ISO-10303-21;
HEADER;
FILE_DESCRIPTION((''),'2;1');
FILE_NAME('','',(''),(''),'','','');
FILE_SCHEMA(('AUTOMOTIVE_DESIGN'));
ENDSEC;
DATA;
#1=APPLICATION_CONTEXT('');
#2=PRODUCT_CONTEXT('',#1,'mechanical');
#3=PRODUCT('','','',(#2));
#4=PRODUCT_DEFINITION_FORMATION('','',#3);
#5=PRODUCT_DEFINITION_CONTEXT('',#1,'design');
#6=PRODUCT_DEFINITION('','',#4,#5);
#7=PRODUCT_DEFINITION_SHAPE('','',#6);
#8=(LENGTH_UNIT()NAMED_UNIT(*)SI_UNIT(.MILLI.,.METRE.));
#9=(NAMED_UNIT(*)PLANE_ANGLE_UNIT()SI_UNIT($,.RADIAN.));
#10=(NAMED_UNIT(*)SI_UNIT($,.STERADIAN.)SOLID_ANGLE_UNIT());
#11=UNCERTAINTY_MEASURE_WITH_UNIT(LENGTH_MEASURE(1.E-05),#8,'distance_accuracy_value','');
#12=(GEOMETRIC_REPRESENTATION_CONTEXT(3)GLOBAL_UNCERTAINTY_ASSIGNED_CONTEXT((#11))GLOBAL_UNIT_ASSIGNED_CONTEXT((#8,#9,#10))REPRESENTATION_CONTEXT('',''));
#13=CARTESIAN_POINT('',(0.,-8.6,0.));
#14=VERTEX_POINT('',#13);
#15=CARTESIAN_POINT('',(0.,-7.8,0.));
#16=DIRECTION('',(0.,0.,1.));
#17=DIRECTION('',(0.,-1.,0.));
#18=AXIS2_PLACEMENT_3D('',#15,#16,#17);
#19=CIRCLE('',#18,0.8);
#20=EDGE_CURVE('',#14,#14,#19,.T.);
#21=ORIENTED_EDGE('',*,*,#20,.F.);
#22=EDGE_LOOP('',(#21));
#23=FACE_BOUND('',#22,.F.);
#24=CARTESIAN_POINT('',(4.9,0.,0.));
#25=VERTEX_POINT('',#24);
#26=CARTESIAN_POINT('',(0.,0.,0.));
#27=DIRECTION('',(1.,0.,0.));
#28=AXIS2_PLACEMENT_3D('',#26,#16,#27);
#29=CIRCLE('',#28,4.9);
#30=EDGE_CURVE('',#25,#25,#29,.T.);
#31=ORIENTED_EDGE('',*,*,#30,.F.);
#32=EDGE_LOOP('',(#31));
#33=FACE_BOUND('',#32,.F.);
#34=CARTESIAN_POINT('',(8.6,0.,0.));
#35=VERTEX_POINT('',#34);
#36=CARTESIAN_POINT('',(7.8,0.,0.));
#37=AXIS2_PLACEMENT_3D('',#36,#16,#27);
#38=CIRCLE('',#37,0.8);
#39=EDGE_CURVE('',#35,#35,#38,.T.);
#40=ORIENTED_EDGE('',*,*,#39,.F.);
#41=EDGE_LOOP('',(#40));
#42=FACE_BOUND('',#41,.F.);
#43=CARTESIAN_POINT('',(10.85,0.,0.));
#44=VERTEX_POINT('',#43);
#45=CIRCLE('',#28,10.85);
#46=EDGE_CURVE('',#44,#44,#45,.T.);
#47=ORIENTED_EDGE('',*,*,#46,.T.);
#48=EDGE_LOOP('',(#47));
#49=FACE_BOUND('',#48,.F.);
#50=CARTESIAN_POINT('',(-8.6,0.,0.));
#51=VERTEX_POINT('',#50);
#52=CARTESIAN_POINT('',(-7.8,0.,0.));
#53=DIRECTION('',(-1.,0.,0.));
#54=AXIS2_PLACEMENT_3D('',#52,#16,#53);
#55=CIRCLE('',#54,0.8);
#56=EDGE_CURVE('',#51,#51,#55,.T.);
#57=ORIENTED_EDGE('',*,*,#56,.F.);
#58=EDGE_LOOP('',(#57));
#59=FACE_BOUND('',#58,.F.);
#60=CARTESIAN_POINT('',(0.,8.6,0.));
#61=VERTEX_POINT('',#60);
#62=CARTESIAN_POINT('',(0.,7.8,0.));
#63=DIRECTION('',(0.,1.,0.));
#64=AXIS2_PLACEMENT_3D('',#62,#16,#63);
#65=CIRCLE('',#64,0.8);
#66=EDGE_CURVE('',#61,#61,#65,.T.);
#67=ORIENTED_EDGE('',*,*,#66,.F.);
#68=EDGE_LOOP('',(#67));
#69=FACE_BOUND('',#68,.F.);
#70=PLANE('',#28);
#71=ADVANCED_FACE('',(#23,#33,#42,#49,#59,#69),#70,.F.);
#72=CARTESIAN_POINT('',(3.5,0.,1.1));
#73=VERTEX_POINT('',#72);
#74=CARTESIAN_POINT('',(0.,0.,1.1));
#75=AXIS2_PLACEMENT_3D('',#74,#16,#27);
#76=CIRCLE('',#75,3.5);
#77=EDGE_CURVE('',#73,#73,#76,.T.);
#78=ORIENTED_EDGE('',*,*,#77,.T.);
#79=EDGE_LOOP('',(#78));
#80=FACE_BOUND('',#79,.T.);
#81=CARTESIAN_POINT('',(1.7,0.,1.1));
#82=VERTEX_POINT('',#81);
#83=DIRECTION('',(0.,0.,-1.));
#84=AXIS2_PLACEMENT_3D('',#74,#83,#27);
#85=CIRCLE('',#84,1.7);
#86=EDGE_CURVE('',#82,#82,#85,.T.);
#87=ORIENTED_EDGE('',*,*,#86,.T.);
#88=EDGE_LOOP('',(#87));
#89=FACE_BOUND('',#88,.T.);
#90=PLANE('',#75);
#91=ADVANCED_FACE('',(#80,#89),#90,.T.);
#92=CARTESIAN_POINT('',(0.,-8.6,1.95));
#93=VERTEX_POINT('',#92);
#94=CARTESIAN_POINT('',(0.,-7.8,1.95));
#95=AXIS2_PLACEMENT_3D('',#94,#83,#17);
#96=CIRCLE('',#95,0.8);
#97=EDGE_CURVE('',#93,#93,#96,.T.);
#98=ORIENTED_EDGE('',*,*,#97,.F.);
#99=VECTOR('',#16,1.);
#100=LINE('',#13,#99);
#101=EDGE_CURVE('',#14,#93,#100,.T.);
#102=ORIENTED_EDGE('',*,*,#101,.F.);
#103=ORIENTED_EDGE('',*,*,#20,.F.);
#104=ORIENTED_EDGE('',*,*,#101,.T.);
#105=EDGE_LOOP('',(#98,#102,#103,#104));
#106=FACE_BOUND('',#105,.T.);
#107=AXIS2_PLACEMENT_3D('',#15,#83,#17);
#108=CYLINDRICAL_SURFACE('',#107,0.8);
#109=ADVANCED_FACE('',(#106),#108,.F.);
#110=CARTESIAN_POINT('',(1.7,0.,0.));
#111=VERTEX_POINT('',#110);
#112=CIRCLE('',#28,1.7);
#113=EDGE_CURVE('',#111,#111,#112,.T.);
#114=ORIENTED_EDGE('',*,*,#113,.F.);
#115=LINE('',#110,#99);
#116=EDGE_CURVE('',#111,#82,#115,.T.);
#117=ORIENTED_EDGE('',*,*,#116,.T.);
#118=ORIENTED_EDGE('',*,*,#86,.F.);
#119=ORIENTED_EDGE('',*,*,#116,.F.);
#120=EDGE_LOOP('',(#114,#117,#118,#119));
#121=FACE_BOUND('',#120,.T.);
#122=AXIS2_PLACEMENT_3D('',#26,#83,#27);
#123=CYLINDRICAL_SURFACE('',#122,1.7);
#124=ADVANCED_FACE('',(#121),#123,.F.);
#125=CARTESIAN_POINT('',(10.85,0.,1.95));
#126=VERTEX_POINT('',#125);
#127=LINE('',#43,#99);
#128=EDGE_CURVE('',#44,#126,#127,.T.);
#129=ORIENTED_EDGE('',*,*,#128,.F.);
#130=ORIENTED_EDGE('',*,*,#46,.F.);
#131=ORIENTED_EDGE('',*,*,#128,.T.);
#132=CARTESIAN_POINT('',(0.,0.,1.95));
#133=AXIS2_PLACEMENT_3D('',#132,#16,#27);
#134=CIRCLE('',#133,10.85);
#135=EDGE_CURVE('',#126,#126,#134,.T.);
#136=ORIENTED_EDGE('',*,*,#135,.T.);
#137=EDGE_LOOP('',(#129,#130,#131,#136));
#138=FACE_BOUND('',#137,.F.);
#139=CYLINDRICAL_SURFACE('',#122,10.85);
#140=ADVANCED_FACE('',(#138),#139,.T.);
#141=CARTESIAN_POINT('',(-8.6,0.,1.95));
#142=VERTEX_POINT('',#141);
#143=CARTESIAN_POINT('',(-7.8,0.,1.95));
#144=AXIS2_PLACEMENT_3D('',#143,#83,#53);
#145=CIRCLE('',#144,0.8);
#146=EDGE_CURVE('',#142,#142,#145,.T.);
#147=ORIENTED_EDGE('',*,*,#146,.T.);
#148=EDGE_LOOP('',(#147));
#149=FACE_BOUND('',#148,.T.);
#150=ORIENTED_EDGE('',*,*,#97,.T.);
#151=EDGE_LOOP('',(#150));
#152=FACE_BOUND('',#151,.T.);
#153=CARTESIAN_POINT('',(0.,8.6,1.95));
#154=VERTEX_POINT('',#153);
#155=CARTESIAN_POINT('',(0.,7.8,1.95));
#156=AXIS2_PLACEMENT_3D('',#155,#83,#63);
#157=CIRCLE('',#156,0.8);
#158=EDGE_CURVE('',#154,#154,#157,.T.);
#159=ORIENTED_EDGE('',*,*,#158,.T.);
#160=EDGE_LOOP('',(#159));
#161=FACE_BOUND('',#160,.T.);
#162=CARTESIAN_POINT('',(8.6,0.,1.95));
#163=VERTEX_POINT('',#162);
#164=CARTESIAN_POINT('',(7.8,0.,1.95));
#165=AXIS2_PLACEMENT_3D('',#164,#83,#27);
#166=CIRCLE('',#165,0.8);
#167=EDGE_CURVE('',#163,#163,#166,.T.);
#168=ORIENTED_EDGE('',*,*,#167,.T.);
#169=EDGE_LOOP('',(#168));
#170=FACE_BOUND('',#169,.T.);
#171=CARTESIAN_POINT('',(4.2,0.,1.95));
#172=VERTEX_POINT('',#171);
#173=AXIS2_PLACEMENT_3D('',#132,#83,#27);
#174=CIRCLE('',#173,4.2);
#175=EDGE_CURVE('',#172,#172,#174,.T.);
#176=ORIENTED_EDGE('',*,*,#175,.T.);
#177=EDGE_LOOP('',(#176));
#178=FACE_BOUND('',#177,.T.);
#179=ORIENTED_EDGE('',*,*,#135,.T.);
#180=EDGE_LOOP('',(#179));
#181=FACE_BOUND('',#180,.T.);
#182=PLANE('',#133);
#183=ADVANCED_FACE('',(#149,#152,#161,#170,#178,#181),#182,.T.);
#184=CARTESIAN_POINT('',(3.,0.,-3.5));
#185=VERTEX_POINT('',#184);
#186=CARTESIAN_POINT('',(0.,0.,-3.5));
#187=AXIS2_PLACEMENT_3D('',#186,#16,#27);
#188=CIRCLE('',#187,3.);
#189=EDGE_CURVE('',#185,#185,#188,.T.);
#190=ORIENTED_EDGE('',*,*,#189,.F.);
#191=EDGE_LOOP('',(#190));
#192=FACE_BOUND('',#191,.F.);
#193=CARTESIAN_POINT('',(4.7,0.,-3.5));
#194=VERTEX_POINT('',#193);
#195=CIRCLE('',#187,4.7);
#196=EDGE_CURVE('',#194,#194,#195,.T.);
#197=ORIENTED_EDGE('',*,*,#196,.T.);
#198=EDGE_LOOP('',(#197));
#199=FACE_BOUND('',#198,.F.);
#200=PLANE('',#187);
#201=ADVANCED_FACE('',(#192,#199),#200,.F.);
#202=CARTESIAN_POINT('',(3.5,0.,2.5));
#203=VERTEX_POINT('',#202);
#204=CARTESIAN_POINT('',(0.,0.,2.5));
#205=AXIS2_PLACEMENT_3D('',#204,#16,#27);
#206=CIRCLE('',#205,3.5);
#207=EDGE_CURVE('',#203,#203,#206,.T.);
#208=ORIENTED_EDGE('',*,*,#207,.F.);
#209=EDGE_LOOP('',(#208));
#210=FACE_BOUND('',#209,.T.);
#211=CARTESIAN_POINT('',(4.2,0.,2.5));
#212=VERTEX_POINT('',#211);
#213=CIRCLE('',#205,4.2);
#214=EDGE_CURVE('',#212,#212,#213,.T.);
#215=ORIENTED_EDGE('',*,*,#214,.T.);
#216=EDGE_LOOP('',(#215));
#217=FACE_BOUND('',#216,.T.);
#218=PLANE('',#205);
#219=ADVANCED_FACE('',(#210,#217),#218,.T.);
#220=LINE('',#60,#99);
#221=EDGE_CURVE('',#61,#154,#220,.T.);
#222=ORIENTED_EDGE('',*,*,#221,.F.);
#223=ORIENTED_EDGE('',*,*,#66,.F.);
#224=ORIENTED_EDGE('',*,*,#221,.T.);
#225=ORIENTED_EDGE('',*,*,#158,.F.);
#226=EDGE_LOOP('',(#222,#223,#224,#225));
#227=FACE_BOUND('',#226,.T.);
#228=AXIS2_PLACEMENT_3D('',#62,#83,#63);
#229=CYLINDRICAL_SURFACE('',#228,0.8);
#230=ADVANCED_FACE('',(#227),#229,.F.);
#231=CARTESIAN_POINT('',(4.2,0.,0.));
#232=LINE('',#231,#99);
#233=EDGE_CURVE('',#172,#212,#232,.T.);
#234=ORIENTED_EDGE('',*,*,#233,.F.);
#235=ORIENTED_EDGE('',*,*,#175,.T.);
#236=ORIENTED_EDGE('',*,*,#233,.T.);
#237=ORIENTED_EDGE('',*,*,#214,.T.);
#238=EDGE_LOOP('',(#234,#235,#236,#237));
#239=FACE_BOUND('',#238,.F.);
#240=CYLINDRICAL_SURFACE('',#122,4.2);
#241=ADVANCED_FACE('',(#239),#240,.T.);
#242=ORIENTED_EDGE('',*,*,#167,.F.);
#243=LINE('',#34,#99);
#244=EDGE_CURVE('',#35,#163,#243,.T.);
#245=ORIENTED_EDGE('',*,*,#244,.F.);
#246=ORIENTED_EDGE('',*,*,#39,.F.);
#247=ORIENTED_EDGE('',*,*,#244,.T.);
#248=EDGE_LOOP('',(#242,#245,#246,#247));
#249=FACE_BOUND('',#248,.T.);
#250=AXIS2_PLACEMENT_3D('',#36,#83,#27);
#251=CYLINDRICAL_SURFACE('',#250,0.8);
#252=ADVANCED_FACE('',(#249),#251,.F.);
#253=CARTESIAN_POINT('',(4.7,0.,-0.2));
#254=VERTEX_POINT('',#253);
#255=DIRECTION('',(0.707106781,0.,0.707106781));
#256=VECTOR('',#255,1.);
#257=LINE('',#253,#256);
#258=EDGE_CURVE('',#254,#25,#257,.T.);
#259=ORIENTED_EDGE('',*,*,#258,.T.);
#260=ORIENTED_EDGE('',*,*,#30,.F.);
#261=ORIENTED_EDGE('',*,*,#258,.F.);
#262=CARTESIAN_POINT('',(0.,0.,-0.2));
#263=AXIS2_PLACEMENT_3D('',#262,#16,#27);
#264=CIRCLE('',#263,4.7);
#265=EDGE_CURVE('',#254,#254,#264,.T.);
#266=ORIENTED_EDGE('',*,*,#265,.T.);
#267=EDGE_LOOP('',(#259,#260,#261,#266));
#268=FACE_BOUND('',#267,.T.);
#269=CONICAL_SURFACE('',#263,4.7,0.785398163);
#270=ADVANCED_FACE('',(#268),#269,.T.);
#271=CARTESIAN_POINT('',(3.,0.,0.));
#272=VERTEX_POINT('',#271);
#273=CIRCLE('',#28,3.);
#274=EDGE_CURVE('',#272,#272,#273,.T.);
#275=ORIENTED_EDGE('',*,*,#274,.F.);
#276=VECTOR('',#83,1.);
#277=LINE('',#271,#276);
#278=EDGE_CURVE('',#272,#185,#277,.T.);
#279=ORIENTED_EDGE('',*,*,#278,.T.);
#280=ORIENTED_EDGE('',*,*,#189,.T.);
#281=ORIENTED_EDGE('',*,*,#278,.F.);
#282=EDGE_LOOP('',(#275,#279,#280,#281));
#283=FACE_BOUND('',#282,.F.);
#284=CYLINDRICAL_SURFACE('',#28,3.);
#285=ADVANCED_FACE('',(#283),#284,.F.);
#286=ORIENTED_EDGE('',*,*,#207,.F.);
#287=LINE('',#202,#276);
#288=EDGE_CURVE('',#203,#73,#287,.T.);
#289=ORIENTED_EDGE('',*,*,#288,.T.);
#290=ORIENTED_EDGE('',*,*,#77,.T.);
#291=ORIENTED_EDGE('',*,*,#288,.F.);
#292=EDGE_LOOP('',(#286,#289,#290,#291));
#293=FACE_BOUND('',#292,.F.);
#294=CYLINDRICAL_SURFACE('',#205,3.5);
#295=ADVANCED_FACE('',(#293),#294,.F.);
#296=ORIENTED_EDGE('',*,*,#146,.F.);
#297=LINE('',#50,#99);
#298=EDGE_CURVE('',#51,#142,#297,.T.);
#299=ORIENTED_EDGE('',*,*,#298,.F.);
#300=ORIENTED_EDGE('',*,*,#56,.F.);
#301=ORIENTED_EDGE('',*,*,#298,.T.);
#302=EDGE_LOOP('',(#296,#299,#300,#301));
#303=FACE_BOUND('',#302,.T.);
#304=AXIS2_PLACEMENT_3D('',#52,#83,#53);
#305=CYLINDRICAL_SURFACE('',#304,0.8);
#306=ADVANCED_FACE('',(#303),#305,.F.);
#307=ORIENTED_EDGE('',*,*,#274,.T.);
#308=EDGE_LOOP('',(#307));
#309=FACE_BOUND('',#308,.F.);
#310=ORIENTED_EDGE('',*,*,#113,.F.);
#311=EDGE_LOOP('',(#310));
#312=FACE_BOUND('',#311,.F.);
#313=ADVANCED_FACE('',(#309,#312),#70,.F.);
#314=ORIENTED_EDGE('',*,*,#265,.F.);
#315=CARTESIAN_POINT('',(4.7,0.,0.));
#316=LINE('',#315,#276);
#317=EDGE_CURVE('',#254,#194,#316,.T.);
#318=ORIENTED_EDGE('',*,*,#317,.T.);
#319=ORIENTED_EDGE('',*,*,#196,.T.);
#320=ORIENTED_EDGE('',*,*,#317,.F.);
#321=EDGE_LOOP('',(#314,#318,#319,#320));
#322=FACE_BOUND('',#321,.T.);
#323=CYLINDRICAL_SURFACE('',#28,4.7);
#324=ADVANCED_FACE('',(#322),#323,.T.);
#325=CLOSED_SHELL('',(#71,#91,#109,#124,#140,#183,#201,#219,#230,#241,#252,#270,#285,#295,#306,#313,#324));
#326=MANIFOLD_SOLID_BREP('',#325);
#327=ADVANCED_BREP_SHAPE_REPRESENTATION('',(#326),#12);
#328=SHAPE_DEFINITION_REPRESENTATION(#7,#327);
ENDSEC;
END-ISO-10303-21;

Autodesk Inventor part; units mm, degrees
sketch "スケッチ1" plane through (0, 0, 0) normal (0, 0, 1) x (1, 0, 0)
  circle A0 centre (0, 0) radius 10.85
  dimension "d0" = 21.7
extrude "押し出し1" add sketch "スケッチ1" along normal blind 1.95
sketch "スケッチ2" plane through (0, 0, 0) normal (0, 0, 1) x (1, 0, 0)
  circle A0 centre (0, 0) radius 4.7
  dimension "d3" = 9.4
extrude "押し出し2" add sketch "スケッチ2" against normal blind 3.5
sketch "スケッチ3" plane through (0, 0, 0) normal (0, 0, 1) x (1, 0, 0)
  circle A0 centre (0, 0) radius 3
  dimension "d6" = 6
extrude "押し出し3" cut sketch "スケッチ3" against normal blind 3.5
sketch "スケッチ4" plane through (0, 0, 0) normal (0, 0, 1) x (1, 0, 0)
  circle A0 centre (0, 0) radius 4.2
  dimension "d9" = 8.4
extrude "押し出し4" add sketch "スケッチ4" along normal blind 2.5
sketch "スケッチ5" plane through (0, 0, 2.5) normal (0, 0, 1) x (1, 0, 0)
  circle A0 centre (0, 0) radius 3.5
  dimension "d12" = 7
extrude "押し出し5" cut sketch "スケッチ5" against normal blind 1.4
sketch "スケッチ6" plane through (0, 0, 0) normal (0, 0, 1) x (1, 0, 0)
  circle A0 centre (0, 0) radius 1.7
  dimension "d15" = 3.4
extrude "押し出し6" cut sketch "スケッチ6" along normal through all
sketch "スケッチ7" plane through (0, 0, 0) normal (0, 0, 1) x (1, 0, 0)
  circle A0 centre (7.8, 0) radius 0.8
  point P0 (0, 0)
  dimension "d18" = 1.6
  dimension "d19" = 7.8
extrude "押し出し7" cut sketch "スケッチ7" along normal through all
pattern_circular "円形状パターン1" count 4 over 360 about axis through (0, 0, -10) along (0, 0, 1) of "押し出し7"
chamfer "面取り1" distance 0.2 angle 45 1 edges at (-4.7, 0, 0)
properties part number "HbServoHorn01"
